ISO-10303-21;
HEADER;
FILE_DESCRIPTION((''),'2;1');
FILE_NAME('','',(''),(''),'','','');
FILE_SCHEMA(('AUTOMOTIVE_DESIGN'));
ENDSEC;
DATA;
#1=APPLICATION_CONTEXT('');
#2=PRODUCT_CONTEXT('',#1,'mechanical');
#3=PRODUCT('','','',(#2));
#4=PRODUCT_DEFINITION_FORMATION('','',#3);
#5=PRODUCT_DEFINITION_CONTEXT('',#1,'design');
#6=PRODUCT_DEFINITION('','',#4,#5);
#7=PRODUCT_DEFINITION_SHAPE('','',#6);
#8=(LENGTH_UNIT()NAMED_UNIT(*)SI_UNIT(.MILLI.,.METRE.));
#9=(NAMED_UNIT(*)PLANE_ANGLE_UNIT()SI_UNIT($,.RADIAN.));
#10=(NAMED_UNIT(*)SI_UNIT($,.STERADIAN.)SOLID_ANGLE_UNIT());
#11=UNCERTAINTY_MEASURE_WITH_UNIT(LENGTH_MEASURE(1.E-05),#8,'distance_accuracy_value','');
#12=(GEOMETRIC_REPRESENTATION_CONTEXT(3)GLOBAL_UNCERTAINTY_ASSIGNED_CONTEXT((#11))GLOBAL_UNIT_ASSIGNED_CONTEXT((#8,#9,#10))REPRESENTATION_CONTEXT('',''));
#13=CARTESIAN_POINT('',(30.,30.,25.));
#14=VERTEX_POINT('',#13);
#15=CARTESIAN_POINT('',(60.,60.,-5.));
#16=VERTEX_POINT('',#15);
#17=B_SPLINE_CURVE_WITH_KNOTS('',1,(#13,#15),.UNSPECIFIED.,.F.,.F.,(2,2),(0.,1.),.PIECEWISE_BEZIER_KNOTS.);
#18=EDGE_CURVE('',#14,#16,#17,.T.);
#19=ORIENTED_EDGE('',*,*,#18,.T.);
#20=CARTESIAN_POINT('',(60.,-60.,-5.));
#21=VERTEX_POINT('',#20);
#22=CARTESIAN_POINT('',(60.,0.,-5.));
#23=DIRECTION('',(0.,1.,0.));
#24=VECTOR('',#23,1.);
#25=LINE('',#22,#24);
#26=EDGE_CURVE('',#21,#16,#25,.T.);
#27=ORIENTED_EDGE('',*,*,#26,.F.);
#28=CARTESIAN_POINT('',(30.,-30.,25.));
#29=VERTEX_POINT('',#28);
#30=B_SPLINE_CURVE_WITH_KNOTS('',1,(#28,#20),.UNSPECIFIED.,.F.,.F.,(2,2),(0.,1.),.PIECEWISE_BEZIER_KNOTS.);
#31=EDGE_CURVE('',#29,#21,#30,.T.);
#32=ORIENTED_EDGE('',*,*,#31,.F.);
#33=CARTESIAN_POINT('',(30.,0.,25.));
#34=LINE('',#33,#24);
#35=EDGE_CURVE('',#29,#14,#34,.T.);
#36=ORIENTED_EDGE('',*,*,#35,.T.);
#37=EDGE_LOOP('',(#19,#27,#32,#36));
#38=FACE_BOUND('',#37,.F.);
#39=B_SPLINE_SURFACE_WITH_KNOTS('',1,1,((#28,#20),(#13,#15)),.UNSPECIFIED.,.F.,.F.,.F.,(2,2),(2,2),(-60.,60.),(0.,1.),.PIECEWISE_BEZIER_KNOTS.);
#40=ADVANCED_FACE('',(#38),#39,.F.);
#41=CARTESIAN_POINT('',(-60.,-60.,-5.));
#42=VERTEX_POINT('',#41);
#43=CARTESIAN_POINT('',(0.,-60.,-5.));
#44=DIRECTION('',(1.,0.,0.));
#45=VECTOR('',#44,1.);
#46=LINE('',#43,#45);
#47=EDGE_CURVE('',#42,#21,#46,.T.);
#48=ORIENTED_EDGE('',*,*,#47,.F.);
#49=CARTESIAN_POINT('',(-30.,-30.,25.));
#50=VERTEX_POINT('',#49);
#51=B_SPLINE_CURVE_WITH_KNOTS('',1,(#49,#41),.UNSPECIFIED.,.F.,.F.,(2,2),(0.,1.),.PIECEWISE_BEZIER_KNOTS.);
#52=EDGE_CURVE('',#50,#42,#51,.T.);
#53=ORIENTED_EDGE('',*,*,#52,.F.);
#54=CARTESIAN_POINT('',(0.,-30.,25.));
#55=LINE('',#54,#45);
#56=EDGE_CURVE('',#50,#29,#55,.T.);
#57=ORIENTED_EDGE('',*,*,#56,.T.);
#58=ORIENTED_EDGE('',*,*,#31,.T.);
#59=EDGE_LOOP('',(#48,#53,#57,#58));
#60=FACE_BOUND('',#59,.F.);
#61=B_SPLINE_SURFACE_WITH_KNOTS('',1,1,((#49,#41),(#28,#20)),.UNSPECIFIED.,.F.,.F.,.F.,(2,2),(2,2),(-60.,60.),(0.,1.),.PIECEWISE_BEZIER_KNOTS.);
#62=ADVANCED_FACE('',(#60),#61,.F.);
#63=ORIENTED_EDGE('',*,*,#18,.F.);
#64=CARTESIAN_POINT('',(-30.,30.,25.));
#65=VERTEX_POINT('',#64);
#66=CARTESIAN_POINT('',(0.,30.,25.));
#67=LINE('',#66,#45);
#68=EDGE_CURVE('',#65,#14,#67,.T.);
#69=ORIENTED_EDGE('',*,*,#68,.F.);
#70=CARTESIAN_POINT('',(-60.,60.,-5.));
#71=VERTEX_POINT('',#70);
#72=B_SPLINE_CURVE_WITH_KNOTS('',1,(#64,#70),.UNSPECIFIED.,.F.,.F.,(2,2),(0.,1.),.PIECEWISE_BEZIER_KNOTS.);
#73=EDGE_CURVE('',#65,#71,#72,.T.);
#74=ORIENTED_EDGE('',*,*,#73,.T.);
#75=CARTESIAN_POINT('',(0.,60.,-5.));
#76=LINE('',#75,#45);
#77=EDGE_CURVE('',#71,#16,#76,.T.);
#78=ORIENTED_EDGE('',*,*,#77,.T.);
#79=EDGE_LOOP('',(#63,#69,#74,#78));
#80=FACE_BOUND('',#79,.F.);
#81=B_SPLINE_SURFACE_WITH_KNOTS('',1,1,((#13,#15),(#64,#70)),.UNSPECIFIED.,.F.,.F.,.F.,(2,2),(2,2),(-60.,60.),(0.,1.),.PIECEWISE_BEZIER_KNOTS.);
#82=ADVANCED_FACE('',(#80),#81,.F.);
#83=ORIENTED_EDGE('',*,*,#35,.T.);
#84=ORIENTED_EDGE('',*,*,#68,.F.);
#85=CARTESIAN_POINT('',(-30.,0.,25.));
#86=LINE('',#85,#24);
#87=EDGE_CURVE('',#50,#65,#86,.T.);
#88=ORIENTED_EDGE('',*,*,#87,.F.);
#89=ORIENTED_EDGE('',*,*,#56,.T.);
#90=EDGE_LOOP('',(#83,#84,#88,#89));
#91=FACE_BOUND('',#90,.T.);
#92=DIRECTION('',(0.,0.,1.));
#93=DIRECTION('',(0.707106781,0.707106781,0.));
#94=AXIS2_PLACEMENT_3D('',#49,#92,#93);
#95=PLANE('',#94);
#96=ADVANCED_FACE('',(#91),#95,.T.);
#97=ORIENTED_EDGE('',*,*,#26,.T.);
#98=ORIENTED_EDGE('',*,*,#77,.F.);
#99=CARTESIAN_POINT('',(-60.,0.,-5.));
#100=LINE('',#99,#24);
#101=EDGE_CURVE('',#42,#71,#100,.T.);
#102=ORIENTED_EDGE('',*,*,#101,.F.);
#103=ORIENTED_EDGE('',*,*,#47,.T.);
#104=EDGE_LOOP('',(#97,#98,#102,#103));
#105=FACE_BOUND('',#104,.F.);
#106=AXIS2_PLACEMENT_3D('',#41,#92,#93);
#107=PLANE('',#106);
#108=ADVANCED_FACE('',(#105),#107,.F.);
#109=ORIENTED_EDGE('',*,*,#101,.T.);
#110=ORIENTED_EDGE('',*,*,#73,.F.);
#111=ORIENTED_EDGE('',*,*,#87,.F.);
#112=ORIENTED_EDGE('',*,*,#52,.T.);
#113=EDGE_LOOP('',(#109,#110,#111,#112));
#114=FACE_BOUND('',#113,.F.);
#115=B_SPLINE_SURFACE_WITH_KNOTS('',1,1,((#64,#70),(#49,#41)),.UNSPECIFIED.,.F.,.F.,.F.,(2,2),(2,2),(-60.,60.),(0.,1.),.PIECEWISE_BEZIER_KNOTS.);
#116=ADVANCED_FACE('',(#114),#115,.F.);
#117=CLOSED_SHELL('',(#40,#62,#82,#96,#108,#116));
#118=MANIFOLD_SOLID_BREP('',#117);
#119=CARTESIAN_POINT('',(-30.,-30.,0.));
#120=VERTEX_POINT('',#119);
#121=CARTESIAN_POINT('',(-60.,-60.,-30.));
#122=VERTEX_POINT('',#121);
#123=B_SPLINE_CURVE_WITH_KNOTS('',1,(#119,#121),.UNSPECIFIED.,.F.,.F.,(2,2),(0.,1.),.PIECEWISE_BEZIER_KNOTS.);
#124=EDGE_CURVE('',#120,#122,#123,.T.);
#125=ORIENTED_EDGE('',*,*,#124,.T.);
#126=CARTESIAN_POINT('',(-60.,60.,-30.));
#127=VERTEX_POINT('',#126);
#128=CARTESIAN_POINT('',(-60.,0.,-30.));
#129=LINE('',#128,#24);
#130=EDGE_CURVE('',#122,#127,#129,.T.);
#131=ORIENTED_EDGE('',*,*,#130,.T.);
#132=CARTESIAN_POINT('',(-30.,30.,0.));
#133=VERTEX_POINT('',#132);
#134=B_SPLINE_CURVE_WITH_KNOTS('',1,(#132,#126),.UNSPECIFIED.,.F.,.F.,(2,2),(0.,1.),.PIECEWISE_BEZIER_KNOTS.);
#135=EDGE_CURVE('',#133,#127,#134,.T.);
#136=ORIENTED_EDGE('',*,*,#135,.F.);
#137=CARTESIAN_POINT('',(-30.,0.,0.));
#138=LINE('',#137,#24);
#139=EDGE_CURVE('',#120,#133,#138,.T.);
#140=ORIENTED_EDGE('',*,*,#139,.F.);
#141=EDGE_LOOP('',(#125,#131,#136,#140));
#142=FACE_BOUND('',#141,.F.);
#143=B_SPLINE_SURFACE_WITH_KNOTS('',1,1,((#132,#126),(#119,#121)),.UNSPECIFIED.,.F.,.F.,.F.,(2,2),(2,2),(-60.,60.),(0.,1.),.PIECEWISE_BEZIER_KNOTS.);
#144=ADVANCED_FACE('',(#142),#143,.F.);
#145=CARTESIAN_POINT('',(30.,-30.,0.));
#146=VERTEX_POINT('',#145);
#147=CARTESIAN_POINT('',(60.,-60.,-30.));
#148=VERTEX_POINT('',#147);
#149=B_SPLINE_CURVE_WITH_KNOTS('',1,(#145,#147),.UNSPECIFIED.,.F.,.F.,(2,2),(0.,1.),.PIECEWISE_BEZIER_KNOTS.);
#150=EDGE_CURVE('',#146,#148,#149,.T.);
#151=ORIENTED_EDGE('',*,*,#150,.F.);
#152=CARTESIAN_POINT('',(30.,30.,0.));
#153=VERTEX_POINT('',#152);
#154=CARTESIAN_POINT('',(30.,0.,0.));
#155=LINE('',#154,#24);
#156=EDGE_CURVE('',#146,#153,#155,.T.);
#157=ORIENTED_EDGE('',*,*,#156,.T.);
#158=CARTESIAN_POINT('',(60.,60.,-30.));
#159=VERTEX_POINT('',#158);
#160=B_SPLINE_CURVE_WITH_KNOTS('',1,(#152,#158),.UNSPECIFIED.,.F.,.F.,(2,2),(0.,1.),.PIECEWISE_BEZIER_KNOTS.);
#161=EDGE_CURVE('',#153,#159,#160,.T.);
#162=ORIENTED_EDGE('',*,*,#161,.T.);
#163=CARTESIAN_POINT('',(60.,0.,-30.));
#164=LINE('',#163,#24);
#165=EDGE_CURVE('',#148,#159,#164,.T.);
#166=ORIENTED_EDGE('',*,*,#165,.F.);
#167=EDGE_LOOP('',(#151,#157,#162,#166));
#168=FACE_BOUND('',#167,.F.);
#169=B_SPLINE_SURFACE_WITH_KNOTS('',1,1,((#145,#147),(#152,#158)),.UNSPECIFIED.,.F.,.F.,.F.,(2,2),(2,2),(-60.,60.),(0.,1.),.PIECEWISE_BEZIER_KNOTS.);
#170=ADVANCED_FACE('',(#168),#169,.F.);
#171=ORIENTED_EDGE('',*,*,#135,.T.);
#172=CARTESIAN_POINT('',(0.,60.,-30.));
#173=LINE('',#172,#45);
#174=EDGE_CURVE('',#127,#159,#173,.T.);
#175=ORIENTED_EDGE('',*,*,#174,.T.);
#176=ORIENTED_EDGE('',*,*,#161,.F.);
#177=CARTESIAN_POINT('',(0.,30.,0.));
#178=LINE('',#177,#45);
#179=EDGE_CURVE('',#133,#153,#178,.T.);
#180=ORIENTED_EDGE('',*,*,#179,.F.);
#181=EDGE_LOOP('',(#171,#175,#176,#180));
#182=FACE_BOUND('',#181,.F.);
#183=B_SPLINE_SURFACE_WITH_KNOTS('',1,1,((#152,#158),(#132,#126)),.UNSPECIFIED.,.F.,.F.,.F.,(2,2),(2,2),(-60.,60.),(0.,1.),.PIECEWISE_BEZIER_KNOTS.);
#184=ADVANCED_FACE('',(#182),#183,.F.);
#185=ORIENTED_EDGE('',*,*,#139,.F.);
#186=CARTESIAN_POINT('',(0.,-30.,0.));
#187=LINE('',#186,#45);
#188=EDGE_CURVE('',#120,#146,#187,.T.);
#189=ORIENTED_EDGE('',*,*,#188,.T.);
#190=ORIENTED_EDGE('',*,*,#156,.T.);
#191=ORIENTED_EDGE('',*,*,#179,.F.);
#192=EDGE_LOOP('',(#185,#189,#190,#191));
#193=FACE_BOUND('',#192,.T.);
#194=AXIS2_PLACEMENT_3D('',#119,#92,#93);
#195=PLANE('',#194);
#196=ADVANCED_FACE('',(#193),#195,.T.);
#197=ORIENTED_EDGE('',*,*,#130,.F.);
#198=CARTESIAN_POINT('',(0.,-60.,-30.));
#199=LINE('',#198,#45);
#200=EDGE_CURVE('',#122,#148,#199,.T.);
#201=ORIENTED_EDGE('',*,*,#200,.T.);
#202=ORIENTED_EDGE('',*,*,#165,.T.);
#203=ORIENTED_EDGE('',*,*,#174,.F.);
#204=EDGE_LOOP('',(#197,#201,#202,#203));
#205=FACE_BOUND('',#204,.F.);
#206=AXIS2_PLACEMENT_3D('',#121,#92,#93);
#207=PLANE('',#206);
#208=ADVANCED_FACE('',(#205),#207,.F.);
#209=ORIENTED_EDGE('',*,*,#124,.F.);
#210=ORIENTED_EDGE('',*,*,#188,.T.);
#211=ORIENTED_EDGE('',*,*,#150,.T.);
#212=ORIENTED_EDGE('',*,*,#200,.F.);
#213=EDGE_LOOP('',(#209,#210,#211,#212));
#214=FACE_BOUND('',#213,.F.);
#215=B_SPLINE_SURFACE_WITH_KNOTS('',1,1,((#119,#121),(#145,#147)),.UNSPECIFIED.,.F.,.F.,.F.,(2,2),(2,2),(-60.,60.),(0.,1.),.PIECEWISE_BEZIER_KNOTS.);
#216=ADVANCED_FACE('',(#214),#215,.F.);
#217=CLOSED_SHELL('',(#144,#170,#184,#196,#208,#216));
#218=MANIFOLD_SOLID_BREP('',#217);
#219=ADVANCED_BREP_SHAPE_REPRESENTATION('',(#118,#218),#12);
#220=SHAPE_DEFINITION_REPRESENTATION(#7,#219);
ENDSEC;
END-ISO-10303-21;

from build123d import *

# Parameters (mm, degrees)
F0_W     = 60
F0_H     = 60
F1_DEPTH = 30
F1_TAPER = -45
F3_W     = 60
F3_H     = 60
F4_DEPTH = 30
F4_TAPER = -45


with BuildPart() as f1:
    # F0 (on Top) → F1 (new body)
    with BuildSketch(Plane.XY):
        Rectangle(F0_W, F0_H)
    extrude(amount=-F1_DEPTH, taper=F1_TAPER)


with BuildPart() as f4:
    # F3 (on offset) → F4 (new body)
    with BuildSketch(Plane.XY.offset(25)):
        Rectangle(F3_W, F3_H)
    extrude(amount=-F4_DEPTH, taper=F4_TAPER)


solid = Compound([f1.part, f4.part])
